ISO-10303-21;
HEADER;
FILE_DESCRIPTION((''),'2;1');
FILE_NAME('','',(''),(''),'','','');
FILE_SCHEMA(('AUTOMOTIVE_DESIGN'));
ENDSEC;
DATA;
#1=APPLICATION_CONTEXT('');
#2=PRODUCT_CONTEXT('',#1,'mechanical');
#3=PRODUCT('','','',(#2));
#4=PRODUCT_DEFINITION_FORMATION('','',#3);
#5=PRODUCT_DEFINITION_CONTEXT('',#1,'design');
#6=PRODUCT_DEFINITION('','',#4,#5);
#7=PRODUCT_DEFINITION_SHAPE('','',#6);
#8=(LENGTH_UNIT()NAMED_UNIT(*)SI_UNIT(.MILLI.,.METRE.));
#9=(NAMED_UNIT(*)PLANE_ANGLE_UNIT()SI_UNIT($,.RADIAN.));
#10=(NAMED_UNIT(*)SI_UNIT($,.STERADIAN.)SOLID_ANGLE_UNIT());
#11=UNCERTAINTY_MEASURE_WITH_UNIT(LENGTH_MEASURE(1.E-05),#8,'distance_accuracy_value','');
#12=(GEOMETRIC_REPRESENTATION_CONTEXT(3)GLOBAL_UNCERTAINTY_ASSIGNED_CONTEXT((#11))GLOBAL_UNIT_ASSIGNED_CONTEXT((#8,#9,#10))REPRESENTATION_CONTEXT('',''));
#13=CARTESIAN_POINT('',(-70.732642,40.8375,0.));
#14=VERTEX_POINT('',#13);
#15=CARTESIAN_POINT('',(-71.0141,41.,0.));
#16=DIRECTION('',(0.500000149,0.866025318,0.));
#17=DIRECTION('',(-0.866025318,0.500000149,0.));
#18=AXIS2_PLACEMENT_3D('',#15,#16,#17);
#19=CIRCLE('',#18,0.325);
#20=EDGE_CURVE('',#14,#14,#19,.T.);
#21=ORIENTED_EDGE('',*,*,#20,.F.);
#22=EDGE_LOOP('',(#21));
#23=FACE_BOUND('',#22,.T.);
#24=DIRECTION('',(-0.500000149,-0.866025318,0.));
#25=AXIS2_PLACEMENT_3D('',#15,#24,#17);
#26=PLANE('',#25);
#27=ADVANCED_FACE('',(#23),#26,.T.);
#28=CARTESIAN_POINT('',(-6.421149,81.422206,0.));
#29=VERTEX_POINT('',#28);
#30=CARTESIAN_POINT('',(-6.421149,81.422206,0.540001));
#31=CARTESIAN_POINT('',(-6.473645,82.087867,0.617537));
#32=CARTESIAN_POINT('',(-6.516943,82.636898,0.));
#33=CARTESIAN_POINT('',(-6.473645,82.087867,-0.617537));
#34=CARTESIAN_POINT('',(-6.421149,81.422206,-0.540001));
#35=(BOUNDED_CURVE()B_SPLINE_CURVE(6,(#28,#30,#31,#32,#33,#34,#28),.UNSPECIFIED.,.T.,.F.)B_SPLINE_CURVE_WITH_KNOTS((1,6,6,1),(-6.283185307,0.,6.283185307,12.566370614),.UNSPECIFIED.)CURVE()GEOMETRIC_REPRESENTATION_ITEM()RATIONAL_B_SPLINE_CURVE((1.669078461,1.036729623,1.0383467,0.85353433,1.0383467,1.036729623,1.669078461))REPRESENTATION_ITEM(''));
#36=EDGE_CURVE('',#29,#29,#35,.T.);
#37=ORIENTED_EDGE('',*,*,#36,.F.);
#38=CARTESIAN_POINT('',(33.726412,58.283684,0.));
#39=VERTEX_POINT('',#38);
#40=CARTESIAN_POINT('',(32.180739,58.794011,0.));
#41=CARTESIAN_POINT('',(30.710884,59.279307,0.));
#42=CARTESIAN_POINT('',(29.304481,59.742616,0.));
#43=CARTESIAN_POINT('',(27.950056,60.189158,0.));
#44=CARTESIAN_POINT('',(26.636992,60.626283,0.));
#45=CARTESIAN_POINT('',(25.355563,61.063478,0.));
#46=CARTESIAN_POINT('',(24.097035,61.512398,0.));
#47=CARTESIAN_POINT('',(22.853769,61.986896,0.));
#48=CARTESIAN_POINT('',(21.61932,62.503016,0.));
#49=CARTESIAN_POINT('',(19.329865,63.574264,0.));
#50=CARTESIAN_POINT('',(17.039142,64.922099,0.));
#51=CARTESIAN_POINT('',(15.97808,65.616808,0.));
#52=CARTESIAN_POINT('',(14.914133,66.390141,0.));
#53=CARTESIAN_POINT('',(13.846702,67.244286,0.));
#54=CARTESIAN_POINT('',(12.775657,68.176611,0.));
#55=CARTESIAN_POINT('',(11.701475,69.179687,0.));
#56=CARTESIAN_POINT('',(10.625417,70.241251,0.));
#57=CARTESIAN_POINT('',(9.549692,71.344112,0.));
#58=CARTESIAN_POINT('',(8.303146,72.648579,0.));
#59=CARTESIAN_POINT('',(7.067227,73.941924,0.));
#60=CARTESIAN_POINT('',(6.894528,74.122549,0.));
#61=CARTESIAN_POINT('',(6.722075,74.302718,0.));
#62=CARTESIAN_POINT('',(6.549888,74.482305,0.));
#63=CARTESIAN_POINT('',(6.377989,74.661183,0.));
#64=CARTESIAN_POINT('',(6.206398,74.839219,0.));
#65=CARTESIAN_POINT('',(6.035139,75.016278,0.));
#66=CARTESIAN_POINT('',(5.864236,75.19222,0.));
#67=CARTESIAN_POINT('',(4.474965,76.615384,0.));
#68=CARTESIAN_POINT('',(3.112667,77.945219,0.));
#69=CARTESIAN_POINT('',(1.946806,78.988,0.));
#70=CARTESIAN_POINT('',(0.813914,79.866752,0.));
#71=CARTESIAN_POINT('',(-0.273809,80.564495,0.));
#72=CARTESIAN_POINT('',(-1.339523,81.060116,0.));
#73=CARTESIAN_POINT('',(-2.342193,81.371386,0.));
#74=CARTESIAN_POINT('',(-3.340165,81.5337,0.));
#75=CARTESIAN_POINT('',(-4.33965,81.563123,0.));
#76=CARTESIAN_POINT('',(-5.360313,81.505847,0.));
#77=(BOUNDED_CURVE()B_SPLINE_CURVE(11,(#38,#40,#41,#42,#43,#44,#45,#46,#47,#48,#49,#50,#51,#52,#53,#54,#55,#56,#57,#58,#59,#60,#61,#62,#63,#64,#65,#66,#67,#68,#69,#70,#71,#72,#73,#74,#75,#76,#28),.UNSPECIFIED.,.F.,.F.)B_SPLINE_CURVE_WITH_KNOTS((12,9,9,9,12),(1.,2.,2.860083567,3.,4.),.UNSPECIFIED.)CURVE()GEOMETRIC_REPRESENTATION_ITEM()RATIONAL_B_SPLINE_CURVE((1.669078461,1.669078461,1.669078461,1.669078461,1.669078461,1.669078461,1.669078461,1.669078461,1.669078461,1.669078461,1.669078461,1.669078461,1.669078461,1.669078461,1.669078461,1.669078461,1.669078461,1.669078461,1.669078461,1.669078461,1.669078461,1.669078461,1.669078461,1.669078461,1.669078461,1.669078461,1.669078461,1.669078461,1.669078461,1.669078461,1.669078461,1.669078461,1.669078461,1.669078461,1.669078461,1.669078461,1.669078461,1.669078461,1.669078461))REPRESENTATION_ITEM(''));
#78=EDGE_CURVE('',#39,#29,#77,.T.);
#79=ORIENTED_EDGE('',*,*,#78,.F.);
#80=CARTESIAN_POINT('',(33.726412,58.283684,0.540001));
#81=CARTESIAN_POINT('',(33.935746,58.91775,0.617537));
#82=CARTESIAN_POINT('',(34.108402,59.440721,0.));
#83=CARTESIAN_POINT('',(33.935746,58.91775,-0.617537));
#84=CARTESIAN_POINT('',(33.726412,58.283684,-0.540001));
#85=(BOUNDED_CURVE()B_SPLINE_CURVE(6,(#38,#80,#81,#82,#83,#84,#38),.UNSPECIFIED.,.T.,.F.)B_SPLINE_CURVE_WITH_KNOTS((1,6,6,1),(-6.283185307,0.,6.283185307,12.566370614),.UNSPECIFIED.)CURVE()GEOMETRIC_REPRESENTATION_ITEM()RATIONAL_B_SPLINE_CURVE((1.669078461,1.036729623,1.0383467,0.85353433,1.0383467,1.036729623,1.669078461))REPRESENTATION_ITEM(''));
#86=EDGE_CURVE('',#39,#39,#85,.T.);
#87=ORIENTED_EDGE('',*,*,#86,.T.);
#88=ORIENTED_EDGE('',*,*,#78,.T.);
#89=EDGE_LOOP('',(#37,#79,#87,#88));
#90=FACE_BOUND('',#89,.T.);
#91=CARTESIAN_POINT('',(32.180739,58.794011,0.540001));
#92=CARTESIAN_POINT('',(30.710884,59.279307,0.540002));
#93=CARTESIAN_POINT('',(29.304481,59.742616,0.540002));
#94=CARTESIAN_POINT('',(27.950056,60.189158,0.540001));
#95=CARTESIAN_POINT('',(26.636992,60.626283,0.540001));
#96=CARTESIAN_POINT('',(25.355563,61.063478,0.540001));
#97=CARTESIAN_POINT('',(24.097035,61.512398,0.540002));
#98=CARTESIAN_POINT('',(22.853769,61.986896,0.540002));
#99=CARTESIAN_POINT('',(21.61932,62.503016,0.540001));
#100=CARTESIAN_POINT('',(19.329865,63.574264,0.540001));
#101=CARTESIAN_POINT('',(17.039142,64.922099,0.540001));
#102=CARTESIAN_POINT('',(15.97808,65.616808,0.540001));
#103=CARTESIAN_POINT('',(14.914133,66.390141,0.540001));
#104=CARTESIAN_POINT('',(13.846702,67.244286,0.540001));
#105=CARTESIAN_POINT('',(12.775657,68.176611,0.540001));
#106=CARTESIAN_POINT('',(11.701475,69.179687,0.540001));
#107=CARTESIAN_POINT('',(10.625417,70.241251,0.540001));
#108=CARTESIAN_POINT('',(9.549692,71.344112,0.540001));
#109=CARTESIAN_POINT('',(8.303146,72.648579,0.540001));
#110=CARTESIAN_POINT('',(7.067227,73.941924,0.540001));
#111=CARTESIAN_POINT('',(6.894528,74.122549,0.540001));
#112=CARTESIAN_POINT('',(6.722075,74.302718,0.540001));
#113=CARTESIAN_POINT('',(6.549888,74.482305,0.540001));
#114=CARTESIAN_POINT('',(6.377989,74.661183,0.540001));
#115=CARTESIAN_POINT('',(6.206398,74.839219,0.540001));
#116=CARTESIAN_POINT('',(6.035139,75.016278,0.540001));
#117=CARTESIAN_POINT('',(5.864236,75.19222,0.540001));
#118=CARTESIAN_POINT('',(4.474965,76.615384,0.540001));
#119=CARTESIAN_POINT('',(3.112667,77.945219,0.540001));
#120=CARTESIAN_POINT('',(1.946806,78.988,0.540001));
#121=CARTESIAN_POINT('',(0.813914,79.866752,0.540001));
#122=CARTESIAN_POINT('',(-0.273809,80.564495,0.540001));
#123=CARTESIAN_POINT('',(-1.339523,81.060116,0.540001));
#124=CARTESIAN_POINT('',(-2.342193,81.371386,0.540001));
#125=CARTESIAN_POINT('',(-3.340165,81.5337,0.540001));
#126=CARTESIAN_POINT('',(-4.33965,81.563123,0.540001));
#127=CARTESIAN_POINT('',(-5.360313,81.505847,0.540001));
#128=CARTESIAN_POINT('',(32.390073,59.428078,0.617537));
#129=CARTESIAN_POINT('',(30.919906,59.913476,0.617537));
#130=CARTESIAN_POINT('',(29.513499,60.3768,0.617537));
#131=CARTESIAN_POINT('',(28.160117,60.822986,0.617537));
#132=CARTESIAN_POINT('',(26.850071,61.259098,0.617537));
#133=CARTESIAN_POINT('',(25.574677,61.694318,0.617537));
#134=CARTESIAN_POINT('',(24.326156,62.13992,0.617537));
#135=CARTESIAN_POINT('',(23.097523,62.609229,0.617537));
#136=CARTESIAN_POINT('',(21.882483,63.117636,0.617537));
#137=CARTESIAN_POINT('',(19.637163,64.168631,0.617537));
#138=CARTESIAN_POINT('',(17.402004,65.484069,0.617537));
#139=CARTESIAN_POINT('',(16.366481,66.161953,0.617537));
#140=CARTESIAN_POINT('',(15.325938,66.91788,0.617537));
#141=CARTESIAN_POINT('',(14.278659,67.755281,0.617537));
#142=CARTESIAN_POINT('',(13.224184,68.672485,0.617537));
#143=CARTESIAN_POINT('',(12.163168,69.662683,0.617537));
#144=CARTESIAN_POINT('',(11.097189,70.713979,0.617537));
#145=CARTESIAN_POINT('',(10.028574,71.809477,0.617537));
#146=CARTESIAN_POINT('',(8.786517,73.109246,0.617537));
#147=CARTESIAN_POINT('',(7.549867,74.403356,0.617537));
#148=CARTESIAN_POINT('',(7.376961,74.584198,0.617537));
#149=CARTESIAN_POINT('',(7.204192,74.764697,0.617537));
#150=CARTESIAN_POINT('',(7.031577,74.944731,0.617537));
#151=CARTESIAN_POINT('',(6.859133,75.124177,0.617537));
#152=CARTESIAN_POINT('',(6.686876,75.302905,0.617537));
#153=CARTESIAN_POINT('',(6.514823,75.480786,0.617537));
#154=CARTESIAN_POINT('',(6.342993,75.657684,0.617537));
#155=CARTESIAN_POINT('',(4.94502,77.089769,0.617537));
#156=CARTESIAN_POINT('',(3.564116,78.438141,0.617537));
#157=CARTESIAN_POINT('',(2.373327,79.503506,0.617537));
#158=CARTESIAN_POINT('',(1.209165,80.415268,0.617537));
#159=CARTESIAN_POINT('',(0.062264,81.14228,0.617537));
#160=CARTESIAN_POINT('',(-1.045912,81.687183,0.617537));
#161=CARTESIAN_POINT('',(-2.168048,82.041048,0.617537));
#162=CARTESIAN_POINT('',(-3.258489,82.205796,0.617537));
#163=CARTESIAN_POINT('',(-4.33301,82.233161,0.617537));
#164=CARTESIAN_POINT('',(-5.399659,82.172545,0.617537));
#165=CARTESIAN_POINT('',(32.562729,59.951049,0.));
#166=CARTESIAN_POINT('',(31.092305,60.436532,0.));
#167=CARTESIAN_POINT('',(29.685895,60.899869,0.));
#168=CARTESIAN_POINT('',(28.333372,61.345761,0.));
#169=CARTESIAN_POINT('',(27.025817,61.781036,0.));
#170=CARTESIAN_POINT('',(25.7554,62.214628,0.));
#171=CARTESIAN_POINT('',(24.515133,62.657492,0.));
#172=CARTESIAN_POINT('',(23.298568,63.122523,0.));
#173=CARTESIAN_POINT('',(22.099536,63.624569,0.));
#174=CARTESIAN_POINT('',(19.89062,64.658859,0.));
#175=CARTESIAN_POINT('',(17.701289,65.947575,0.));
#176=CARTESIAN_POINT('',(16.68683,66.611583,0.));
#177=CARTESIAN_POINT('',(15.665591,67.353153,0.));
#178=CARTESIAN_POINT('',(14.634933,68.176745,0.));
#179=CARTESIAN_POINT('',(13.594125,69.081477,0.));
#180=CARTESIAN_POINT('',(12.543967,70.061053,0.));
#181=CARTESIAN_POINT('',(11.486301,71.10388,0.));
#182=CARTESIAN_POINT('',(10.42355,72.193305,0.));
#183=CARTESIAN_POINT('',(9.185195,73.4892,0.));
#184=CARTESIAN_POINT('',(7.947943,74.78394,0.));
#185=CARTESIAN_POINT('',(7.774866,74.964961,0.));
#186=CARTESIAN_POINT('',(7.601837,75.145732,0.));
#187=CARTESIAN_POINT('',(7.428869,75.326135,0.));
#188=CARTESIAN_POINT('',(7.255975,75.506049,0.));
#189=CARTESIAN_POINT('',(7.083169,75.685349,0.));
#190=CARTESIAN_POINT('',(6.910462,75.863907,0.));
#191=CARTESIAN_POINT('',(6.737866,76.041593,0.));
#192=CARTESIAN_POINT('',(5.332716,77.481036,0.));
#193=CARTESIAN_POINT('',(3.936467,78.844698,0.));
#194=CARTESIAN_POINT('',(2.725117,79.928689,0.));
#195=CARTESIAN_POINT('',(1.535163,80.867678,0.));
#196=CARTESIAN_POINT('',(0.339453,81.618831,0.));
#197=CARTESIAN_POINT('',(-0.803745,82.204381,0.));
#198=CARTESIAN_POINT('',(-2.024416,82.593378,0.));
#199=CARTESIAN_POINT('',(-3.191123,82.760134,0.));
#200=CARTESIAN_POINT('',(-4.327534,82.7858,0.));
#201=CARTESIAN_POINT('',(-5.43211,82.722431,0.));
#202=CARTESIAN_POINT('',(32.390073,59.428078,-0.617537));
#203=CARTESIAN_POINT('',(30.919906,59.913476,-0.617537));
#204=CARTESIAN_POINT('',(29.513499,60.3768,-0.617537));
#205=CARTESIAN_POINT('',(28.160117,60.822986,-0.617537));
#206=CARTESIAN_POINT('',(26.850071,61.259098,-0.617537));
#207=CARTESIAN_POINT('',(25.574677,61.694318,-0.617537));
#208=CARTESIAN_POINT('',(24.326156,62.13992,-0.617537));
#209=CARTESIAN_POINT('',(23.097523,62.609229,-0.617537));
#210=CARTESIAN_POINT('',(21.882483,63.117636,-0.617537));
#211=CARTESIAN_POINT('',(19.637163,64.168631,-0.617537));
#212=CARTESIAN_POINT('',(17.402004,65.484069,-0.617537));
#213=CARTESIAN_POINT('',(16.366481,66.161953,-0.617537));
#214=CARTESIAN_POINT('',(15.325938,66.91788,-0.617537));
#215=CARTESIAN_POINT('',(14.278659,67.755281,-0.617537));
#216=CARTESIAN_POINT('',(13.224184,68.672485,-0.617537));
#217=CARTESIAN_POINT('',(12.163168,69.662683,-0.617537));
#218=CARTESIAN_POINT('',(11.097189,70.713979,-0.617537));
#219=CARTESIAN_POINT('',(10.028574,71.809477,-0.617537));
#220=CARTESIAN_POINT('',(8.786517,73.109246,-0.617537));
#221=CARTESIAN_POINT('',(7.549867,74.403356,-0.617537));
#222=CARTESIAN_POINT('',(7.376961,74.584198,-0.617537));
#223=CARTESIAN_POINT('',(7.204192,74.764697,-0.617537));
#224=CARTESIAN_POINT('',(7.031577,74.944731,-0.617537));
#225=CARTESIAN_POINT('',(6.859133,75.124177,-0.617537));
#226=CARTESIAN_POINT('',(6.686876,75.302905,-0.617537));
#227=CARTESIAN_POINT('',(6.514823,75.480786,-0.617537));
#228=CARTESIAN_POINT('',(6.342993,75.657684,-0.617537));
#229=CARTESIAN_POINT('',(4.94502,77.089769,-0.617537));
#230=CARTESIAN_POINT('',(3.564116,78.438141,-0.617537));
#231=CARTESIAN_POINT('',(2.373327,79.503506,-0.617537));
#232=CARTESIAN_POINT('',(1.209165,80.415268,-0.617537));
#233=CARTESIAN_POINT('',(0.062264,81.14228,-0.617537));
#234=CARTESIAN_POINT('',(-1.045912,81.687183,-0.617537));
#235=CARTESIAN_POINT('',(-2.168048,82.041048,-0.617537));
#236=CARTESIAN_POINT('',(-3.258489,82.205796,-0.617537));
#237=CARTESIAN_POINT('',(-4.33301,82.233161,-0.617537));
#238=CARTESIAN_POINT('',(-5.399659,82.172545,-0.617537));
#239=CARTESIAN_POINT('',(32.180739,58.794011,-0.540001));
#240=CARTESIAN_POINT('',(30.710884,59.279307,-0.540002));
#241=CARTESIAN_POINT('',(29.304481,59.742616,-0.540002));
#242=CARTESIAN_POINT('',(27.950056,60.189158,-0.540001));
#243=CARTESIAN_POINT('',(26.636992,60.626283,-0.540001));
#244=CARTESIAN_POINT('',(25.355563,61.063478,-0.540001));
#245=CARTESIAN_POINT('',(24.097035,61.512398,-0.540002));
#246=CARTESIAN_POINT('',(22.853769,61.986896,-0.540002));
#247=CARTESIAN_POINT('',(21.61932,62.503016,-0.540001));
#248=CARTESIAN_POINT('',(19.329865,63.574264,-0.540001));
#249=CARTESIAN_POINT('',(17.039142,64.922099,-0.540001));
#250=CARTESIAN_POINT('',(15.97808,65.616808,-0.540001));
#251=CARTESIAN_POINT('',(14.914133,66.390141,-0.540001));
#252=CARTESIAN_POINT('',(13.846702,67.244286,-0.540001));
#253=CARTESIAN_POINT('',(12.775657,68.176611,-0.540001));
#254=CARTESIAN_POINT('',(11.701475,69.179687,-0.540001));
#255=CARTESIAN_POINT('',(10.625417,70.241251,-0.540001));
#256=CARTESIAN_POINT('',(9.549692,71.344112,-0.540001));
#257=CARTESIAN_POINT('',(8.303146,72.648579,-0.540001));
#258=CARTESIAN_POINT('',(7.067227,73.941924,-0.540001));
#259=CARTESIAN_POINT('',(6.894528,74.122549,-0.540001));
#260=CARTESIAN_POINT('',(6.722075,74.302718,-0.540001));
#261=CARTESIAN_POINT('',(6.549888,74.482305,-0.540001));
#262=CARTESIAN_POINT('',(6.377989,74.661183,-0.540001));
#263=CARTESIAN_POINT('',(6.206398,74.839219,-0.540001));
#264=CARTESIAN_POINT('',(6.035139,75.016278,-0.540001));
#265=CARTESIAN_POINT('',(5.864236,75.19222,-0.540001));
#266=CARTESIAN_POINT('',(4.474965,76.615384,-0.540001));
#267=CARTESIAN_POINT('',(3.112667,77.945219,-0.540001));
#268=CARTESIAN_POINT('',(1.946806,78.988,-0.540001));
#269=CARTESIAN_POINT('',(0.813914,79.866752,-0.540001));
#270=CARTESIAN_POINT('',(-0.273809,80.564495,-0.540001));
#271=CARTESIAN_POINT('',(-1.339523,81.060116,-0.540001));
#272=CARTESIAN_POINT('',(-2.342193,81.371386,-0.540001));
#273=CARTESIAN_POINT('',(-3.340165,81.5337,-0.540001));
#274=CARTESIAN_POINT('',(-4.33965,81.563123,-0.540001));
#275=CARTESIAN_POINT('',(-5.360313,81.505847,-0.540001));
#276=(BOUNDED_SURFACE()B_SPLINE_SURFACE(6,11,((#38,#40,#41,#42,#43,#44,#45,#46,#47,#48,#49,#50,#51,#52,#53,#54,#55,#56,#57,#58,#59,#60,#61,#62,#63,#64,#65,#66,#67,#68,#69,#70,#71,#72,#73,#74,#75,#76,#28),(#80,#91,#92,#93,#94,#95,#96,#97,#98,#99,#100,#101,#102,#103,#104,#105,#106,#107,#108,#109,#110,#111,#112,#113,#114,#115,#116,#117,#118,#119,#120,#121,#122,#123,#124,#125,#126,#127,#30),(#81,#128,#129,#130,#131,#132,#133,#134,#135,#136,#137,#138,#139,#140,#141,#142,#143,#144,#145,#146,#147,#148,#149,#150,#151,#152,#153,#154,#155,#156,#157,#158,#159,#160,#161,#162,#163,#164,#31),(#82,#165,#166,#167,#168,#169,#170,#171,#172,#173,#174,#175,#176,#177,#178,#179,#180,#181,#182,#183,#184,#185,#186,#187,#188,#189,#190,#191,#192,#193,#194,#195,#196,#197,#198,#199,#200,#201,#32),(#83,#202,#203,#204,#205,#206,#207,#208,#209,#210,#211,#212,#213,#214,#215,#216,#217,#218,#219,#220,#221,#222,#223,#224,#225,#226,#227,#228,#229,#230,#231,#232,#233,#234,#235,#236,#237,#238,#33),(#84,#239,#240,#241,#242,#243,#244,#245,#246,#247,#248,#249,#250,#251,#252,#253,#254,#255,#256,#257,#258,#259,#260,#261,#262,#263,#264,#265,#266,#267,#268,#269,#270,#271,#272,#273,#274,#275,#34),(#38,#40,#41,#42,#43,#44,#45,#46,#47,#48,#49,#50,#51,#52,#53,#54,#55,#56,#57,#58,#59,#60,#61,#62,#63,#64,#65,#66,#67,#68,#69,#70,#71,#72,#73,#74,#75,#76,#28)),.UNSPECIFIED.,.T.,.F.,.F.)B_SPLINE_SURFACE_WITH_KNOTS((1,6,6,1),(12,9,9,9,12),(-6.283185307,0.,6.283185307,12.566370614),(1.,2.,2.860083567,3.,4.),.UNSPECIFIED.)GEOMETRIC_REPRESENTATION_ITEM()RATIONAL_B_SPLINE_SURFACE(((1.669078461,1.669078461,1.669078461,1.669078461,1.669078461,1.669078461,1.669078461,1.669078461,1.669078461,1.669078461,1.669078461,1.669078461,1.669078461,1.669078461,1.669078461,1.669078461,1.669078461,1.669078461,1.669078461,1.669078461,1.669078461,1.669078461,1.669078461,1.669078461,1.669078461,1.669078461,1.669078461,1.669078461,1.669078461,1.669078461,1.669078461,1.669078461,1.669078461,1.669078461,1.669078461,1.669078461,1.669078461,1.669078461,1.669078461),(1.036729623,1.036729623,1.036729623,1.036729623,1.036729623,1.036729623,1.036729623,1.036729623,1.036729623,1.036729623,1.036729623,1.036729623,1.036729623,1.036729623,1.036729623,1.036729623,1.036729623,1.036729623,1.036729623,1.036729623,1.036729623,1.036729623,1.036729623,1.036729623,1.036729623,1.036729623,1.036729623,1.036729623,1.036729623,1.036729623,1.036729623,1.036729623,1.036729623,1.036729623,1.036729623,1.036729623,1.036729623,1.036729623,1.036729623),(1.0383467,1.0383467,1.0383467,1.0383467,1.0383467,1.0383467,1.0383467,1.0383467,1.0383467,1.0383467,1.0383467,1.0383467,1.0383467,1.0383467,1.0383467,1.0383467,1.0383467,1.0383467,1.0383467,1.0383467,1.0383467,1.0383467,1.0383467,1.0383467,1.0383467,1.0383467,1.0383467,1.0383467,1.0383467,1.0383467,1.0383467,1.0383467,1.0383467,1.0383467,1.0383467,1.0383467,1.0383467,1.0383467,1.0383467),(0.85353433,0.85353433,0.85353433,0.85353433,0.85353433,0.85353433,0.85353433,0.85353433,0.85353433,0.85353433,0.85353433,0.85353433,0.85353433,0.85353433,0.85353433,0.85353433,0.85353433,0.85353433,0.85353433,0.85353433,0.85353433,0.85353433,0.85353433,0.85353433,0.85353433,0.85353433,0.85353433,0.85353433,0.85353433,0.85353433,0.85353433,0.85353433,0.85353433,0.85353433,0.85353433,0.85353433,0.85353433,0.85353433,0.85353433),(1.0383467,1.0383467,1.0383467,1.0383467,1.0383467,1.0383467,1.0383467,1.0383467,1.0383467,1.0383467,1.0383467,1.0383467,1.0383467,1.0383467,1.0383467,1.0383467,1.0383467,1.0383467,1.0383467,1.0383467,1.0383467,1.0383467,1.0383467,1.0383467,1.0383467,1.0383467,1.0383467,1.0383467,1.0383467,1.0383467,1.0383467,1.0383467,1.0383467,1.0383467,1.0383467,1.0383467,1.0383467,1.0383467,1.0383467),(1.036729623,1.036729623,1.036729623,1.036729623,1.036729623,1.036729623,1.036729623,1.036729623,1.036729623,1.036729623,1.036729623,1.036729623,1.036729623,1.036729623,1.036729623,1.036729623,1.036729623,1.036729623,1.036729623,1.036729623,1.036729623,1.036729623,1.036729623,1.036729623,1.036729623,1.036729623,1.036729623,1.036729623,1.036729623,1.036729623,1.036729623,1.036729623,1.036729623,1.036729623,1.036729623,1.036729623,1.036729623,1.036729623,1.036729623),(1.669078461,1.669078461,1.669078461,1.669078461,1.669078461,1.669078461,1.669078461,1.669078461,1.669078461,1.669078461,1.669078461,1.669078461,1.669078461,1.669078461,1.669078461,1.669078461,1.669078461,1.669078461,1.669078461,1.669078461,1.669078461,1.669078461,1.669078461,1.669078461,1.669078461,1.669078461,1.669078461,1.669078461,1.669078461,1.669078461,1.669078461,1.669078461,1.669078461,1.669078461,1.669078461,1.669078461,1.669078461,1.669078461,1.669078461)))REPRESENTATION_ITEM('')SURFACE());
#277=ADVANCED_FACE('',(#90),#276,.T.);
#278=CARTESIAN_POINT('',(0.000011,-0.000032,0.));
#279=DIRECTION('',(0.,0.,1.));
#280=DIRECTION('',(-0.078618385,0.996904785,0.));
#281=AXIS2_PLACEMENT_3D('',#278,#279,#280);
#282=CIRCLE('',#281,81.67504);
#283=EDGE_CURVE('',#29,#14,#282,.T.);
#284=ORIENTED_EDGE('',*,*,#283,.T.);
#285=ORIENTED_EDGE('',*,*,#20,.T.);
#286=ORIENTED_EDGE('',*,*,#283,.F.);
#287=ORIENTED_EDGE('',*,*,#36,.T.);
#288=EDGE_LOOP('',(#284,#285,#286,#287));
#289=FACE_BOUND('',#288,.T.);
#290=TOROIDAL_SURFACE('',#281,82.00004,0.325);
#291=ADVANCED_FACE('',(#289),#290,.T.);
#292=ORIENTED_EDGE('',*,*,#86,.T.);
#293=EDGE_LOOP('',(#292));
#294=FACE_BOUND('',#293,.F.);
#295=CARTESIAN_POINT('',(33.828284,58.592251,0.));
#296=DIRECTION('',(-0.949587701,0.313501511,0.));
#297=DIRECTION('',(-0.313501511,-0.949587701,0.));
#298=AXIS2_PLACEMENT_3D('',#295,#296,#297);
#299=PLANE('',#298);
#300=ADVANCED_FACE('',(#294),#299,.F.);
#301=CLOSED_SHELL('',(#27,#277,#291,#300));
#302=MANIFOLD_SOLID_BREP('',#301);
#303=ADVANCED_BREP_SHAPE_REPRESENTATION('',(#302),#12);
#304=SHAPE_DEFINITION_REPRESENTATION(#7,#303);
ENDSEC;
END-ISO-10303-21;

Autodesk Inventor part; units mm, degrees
ref_plane "YZ Plane" through (0, 0, 0) normal (1, 0, 0) x (0, 1, 0)
ref_plane "XZ Plane" through (0, 0, 0) normal (0, 1, 0) x (-1, 0, 0)
ref_plane "XY Plane" through (0, 0, 0) normal (0, 0, 1) x (1, 0, 0)
sketch "Sketch1" plane through (0, 0, 0) normal (0, 0, 1) x (1, 0, 0)
  arc A0 (-6.4467, 81.7462) -> (71.0141, 41) centre (0, 0) ccw construction
  arc A1 (-6.4467, 81.7462) -> (-71.0141, 41) centre (0, 0) ccw
  line L0 (0, 0) -> (87.6874, 50.6264) construction
  line L1 (-50.8467, 0) -> (49.6534, 0) construction
  line L2 (0, 0) -> (-79.9103, 46.1363) construction
  line L3 (0, 0) -> (-7.0236, 89.0614) construction
  line L4 (-6.4467, 81.7462) -> (-3.5118, 81.9776) construction
  line L5 (-3.5118, 81.9776) -> (1.9145, 81.9776) construction
  line L6 (1.9145, 81.9776) -> (12.9687, 65.2245) construction
  line L7 (12.9687, 65.2245) -> (22.4637, 62.3445) construction
  line L8 (22.4637, 62.3445) -> (29.5777, 59.9957) construction
  line L9 (29.5777, 59.9957) -> (33.8283, 58.5923) construction
  spline S0 degree 4 poles (-6.4467, 81.7462) (-3.5118, 81.9776) (1.9145, 81.9776) (12.9687, 65.2245) (22.4637, 62.3445) (29.5777, 59.9957) (33.8283, 58.5923) knots 1 1 1 1 1 2 3 4 4 4 4 4
  dimension "d0" = 164
  dimension "d1" = 30
  dimension "d2" = 30
ref_plane "Work Plane1" through (-71.0141, 41, 0) normal (-0.5, -0.866, 0) x (0.866, -0.5, 0)
sketch "Sketch2" plane through (-71.0141, 41, 0) normal (-0.5, -0.866, 0) x (0.866, -0.5, 0)
  circle A0 centre (0, 0) radius 0.325
  point P0 (82, 0)
  dimension "d3" = 0.65
sweep "Sweep1" add profiles "Sketch2" path "Sketch1"
properties part number "bumper_wire"
